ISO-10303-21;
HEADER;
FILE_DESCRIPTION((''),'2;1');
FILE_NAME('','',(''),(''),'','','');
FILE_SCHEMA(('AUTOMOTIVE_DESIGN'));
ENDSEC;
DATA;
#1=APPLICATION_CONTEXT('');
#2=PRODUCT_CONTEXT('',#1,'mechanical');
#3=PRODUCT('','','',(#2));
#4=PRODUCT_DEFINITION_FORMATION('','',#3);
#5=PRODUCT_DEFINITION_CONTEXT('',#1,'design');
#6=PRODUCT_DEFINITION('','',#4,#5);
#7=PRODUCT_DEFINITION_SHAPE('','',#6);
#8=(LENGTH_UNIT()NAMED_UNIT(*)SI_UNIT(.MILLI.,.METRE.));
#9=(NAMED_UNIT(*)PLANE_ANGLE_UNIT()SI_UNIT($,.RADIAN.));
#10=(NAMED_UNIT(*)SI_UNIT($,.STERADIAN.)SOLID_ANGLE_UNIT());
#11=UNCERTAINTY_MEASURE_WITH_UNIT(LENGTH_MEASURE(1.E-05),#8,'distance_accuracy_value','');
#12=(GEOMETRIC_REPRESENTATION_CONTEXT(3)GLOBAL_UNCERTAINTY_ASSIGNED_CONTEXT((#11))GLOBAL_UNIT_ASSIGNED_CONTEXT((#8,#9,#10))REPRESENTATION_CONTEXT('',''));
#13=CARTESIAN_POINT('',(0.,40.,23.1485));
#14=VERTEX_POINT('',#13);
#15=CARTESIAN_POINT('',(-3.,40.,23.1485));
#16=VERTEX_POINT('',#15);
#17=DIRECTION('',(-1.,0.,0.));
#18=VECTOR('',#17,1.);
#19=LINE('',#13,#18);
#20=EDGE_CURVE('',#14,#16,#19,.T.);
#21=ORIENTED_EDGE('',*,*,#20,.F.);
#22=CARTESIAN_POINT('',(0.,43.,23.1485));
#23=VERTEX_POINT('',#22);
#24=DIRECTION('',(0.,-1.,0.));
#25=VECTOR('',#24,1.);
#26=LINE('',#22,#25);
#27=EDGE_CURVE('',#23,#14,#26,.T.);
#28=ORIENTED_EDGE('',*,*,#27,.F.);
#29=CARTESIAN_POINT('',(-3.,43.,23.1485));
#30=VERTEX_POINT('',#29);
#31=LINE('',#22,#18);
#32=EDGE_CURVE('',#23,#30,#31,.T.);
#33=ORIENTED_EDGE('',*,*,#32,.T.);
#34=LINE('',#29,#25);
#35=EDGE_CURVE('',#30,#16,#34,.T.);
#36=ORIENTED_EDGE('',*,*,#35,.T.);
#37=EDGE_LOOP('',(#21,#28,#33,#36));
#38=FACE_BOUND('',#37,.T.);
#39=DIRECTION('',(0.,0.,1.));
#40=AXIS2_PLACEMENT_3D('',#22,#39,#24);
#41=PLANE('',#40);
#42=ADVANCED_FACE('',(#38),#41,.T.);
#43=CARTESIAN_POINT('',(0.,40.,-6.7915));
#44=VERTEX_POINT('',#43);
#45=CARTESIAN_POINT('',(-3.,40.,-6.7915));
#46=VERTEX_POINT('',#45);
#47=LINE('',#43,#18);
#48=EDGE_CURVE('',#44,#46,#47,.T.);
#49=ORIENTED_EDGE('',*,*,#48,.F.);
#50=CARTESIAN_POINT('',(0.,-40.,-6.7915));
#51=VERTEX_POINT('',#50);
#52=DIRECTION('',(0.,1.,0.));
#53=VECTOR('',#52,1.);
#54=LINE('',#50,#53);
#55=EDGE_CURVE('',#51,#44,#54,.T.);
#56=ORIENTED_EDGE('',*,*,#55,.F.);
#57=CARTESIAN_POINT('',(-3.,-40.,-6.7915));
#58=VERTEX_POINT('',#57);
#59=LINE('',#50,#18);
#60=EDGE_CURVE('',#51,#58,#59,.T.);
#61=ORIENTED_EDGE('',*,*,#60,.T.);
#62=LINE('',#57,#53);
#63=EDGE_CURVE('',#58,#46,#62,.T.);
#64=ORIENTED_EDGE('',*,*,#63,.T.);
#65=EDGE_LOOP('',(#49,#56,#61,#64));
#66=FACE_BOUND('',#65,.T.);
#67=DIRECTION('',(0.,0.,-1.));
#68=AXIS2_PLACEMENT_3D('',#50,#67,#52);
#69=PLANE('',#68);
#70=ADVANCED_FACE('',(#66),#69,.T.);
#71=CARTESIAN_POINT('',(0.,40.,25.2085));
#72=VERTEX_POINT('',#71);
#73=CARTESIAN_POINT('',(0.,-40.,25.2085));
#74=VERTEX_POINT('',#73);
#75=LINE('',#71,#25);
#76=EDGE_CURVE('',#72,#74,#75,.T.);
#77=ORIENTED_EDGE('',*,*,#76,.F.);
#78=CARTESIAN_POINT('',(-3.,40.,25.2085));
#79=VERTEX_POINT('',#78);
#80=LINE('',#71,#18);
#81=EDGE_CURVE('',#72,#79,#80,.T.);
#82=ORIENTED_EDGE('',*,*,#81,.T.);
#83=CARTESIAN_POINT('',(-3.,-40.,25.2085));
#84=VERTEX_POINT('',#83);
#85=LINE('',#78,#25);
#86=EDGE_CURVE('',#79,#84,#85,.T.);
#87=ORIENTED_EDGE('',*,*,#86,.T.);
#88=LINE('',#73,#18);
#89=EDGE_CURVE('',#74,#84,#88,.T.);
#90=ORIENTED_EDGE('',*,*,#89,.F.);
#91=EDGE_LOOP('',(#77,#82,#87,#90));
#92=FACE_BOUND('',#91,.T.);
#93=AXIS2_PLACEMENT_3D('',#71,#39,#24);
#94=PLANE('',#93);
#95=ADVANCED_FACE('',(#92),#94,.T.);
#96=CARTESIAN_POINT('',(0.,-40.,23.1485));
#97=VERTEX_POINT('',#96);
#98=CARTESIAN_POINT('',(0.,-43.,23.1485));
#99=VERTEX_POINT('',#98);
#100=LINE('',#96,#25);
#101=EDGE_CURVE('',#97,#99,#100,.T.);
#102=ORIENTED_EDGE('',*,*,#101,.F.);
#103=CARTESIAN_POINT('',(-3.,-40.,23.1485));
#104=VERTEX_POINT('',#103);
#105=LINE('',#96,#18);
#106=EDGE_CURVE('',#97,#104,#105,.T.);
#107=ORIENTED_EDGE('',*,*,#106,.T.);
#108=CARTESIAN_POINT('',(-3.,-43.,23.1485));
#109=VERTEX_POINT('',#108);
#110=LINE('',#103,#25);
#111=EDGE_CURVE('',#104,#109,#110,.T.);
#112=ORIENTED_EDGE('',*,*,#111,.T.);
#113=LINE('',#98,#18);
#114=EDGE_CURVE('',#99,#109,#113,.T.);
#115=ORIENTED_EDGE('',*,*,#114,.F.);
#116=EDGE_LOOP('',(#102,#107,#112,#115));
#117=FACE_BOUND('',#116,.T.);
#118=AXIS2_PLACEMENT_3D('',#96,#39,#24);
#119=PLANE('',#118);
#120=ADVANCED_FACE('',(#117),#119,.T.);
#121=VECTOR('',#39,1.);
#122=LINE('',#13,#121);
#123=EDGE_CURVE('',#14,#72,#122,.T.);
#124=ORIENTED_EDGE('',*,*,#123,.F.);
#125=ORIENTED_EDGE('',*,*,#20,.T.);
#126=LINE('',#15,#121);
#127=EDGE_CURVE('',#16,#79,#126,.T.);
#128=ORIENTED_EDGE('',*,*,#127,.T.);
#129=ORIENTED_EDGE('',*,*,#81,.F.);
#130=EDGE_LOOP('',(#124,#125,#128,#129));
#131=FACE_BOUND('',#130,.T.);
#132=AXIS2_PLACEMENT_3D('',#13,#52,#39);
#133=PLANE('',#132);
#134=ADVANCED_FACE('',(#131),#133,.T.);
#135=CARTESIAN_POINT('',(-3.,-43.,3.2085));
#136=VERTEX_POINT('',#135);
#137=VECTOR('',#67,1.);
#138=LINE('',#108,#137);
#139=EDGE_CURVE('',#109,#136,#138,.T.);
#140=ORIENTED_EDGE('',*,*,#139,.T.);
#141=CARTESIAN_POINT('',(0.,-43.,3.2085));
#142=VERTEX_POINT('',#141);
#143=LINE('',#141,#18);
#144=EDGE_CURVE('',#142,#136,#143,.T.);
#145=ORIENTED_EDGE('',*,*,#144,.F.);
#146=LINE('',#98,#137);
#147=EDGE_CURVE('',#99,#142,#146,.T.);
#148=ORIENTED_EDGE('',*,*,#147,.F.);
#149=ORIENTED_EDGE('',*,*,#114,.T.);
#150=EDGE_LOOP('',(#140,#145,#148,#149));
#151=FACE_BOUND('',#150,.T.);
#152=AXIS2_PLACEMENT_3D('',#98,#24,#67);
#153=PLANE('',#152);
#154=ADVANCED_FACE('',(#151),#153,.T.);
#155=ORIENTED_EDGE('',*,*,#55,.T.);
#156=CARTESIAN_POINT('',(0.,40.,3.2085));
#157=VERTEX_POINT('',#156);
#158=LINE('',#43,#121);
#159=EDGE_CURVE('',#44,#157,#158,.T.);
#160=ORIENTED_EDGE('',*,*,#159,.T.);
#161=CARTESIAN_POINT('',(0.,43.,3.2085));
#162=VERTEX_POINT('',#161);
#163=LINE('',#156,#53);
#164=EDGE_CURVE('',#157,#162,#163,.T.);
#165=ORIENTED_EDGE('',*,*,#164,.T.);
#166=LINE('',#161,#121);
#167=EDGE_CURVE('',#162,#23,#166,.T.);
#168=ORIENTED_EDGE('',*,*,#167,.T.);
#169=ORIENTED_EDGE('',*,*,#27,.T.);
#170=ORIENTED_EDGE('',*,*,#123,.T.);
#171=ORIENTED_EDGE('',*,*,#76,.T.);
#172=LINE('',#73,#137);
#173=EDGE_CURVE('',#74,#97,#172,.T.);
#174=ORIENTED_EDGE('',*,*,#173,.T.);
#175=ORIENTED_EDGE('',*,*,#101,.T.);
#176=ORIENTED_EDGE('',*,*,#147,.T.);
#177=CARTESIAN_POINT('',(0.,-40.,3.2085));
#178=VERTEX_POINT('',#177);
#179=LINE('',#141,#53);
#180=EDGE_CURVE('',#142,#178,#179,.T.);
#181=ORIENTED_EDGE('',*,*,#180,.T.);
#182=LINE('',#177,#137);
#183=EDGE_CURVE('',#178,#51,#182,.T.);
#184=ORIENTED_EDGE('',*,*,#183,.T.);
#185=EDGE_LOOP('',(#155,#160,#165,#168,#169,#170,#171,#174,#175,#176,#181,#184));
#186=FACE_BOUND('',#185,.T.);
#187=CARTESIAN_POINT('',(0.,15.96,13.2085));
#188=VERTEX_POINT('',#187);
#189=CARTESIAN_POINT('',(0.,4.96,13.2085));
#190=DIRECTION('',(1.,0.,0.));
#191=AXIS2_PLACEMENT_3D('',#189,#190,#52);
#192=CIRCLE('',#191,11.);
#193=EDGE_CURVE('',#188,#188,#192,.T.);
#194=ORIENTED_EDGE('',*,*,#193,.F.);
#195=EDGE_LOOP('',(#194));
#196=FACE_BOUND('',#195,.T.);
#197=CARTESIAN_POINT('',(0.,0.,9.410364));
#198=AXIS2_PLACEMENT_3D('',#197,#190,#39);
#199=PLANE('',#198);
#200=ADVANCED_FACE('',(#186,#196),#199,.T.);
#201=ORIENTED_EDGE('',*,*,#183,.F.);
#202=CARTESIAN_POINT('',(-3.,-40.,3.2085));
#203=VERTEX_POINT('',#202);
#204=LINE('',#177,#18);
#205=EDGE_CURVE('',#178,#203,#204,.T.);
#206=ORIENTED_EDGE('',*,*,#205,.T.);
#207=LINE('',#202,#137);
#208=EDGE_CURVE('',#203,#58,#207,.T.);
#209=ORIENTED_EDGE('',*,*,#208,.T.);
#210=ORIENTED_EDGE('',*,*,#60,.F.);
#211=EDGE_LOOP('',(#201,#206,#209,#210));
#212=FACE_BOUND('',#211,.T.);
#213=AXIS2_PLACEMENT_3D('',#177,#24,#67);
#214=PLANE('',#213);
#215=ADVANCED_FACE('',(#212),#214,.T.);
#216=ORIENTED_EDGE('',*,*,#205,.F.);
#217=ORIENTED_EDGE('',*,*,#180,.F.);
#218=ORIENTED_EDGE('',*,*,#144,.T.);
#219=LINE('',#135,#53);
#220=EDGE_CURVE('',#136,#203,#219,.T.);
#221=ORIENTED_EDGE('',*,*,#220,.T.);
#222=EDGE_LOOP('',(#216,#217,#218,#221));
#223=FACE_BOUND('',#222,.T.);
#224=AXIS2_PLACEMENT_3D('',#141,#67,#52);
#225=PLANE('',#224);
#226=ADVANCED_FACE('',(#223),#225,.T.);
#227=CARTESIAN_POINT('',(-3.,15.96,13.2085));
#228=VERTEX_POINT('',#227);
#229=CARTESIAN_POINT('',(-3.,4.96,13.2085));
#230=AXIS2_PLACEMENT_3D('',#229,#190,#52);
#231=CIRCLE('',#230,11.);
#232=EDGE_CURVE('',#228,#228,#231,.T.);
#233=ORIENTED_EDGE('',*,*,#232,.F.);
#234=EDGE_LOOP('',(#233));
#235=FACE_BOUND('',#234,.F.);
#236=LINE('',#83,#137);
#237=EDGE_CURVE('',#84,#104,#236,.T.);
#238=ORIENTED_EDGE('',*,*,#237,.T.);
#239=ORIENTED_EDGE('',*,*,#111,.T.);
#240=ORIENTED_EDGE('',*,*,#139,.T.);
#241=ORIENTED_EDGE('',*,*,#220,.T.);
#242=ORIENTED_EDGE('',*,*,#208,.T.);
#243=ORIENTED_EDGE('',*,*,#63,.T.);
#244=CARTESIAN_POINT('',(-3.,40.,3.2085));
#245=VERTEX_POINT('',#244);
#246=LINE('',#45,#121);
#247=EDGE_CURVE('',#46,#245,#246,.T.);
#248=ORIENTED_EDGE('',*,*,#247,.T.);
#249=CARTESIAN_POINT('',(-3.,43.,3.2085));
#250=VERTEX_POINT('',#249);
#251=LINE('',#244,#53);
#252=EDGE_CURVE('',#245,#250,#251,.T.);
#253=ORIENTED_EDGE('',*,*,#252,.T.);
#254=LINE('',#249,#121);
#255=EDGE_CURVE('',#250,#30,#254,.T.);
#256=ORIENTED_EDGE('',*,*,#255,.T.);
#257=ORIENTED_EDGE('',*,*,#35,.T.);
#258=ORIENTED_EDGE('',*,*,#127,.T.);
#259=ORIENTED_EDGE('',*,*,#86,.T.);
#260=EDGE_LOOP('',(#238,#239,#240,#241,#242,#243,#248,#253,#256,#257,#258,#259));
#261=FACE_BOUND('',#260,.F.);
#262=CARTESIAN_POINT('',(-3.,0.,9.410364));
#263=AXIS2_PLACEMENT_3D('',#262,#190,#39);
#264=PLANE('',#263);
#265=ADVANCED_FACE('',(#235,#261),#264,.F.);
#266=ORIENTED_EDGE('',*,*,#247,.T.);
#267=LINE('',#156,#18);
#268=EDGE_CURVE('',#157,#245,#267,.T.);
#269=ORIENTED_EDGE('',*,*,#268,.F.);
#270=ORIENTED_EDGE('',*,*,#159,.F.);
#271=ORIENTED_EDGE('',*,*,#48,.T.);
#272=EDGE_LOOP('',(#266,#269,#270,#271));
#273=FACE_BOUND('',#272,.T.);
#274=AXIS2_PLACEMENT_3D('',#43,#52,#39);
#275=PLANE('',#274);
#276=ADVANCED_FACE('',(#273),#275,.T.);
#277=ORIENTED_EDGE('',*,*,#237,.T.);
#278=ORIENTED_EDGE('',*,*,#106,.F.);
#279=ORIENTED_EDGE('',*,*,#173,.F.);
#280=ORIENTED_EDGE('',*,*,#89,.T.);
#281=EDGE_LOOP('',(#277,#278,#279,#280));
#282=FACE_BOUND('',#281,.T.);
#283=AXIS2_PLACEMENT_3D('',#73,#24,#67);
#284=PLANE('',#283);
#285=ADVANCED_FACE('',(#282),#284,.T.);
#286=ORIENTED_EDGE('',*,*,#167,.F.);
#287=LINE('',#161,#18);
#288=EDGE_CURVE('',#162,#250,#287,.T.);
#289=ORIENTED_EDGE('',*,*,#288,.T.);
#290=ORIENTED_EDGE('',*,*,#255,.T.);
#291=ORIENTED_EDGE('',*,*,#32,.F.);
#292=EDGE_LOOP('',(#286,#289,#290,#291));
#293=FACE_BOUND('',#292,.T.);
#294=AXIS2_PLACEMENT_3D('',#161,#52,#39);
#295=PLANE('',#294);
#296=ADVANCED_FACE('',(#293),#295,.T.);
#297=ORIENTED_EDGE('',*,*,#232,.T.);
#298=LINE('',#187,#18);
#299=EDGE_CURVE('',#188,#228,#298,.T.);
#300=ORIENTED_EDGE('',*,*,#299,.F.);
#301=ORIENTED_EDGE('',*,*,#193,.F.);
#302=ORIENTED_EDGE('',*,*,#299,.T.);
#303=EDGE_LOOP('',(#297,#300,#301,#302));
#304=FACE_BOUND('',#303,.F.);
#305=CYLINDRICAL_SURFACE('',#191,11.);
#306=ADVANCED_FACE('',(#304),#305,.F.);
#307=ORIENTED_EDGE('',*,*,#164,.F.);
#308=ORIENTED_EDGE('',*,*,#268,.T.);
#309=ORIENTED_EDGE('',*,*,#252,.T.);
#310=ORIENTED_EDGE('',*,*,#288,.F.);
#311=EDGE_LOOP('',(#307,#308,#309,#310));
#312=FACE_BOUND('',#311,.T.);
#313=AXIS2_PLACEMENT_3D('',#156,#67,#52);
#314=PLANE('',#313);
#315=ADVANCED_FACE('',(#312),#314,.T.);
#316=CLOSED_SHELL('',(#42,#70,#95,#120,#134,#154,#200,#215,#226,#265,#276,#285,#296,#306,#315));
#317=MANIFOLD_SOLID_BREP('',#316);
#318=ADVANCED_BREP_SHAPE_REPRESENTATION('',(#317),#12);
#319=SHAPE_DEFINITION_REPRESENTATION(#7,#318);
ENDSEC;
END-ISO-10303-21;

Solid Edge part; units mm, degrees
sketch "Sketch1" plane through (0, 0, 0) normal (1, 0, 0) x (0, 1, 0)
  circle A0 centre (4.96, 13.2085) radius 11
  line L0 (40, -6.7915) -> (40, 3.2085)
  line L1 (40, 3.2085) -> (43, 3.2085)
  line L2 (43, 3.2085) -> (43, 23.1485)
  line L3 (43, 23.1485) -> (40, 23.1485)
  line L4 (40, 23.1485) -> (40, 25.2085)
  line L5 (40, 25.2085) -> (-40, 25.2085)
  line L6 (-40, 25.2085) -> (-40, 23.1485)
  line L7 (-40, 23.1485) -> (-43, 23.1485)
  line L8 (-43, 23.1485) -> (-43, 3.2085)
  line L9 (-43, 3.2085) -> (-40, 3.2085)
  line L10 (-40, 3.2085) -> (-40, -6.7915)
  line L11 (-40, -6.7915) -> (40, -6.7915)
  dimension "D1" = 22
  dimension "D2" = 19.94
  dimension "D3" = 80
  dimension "D4" = 3
  dimension "D5" = 10
  dimension "D6" = 47.96
  dimension "D7" = 10
  dimension "D8" = 1
extrude "Protrusion1" add sketch "Sketch1" against normal blind 3
properties material "Acier"
